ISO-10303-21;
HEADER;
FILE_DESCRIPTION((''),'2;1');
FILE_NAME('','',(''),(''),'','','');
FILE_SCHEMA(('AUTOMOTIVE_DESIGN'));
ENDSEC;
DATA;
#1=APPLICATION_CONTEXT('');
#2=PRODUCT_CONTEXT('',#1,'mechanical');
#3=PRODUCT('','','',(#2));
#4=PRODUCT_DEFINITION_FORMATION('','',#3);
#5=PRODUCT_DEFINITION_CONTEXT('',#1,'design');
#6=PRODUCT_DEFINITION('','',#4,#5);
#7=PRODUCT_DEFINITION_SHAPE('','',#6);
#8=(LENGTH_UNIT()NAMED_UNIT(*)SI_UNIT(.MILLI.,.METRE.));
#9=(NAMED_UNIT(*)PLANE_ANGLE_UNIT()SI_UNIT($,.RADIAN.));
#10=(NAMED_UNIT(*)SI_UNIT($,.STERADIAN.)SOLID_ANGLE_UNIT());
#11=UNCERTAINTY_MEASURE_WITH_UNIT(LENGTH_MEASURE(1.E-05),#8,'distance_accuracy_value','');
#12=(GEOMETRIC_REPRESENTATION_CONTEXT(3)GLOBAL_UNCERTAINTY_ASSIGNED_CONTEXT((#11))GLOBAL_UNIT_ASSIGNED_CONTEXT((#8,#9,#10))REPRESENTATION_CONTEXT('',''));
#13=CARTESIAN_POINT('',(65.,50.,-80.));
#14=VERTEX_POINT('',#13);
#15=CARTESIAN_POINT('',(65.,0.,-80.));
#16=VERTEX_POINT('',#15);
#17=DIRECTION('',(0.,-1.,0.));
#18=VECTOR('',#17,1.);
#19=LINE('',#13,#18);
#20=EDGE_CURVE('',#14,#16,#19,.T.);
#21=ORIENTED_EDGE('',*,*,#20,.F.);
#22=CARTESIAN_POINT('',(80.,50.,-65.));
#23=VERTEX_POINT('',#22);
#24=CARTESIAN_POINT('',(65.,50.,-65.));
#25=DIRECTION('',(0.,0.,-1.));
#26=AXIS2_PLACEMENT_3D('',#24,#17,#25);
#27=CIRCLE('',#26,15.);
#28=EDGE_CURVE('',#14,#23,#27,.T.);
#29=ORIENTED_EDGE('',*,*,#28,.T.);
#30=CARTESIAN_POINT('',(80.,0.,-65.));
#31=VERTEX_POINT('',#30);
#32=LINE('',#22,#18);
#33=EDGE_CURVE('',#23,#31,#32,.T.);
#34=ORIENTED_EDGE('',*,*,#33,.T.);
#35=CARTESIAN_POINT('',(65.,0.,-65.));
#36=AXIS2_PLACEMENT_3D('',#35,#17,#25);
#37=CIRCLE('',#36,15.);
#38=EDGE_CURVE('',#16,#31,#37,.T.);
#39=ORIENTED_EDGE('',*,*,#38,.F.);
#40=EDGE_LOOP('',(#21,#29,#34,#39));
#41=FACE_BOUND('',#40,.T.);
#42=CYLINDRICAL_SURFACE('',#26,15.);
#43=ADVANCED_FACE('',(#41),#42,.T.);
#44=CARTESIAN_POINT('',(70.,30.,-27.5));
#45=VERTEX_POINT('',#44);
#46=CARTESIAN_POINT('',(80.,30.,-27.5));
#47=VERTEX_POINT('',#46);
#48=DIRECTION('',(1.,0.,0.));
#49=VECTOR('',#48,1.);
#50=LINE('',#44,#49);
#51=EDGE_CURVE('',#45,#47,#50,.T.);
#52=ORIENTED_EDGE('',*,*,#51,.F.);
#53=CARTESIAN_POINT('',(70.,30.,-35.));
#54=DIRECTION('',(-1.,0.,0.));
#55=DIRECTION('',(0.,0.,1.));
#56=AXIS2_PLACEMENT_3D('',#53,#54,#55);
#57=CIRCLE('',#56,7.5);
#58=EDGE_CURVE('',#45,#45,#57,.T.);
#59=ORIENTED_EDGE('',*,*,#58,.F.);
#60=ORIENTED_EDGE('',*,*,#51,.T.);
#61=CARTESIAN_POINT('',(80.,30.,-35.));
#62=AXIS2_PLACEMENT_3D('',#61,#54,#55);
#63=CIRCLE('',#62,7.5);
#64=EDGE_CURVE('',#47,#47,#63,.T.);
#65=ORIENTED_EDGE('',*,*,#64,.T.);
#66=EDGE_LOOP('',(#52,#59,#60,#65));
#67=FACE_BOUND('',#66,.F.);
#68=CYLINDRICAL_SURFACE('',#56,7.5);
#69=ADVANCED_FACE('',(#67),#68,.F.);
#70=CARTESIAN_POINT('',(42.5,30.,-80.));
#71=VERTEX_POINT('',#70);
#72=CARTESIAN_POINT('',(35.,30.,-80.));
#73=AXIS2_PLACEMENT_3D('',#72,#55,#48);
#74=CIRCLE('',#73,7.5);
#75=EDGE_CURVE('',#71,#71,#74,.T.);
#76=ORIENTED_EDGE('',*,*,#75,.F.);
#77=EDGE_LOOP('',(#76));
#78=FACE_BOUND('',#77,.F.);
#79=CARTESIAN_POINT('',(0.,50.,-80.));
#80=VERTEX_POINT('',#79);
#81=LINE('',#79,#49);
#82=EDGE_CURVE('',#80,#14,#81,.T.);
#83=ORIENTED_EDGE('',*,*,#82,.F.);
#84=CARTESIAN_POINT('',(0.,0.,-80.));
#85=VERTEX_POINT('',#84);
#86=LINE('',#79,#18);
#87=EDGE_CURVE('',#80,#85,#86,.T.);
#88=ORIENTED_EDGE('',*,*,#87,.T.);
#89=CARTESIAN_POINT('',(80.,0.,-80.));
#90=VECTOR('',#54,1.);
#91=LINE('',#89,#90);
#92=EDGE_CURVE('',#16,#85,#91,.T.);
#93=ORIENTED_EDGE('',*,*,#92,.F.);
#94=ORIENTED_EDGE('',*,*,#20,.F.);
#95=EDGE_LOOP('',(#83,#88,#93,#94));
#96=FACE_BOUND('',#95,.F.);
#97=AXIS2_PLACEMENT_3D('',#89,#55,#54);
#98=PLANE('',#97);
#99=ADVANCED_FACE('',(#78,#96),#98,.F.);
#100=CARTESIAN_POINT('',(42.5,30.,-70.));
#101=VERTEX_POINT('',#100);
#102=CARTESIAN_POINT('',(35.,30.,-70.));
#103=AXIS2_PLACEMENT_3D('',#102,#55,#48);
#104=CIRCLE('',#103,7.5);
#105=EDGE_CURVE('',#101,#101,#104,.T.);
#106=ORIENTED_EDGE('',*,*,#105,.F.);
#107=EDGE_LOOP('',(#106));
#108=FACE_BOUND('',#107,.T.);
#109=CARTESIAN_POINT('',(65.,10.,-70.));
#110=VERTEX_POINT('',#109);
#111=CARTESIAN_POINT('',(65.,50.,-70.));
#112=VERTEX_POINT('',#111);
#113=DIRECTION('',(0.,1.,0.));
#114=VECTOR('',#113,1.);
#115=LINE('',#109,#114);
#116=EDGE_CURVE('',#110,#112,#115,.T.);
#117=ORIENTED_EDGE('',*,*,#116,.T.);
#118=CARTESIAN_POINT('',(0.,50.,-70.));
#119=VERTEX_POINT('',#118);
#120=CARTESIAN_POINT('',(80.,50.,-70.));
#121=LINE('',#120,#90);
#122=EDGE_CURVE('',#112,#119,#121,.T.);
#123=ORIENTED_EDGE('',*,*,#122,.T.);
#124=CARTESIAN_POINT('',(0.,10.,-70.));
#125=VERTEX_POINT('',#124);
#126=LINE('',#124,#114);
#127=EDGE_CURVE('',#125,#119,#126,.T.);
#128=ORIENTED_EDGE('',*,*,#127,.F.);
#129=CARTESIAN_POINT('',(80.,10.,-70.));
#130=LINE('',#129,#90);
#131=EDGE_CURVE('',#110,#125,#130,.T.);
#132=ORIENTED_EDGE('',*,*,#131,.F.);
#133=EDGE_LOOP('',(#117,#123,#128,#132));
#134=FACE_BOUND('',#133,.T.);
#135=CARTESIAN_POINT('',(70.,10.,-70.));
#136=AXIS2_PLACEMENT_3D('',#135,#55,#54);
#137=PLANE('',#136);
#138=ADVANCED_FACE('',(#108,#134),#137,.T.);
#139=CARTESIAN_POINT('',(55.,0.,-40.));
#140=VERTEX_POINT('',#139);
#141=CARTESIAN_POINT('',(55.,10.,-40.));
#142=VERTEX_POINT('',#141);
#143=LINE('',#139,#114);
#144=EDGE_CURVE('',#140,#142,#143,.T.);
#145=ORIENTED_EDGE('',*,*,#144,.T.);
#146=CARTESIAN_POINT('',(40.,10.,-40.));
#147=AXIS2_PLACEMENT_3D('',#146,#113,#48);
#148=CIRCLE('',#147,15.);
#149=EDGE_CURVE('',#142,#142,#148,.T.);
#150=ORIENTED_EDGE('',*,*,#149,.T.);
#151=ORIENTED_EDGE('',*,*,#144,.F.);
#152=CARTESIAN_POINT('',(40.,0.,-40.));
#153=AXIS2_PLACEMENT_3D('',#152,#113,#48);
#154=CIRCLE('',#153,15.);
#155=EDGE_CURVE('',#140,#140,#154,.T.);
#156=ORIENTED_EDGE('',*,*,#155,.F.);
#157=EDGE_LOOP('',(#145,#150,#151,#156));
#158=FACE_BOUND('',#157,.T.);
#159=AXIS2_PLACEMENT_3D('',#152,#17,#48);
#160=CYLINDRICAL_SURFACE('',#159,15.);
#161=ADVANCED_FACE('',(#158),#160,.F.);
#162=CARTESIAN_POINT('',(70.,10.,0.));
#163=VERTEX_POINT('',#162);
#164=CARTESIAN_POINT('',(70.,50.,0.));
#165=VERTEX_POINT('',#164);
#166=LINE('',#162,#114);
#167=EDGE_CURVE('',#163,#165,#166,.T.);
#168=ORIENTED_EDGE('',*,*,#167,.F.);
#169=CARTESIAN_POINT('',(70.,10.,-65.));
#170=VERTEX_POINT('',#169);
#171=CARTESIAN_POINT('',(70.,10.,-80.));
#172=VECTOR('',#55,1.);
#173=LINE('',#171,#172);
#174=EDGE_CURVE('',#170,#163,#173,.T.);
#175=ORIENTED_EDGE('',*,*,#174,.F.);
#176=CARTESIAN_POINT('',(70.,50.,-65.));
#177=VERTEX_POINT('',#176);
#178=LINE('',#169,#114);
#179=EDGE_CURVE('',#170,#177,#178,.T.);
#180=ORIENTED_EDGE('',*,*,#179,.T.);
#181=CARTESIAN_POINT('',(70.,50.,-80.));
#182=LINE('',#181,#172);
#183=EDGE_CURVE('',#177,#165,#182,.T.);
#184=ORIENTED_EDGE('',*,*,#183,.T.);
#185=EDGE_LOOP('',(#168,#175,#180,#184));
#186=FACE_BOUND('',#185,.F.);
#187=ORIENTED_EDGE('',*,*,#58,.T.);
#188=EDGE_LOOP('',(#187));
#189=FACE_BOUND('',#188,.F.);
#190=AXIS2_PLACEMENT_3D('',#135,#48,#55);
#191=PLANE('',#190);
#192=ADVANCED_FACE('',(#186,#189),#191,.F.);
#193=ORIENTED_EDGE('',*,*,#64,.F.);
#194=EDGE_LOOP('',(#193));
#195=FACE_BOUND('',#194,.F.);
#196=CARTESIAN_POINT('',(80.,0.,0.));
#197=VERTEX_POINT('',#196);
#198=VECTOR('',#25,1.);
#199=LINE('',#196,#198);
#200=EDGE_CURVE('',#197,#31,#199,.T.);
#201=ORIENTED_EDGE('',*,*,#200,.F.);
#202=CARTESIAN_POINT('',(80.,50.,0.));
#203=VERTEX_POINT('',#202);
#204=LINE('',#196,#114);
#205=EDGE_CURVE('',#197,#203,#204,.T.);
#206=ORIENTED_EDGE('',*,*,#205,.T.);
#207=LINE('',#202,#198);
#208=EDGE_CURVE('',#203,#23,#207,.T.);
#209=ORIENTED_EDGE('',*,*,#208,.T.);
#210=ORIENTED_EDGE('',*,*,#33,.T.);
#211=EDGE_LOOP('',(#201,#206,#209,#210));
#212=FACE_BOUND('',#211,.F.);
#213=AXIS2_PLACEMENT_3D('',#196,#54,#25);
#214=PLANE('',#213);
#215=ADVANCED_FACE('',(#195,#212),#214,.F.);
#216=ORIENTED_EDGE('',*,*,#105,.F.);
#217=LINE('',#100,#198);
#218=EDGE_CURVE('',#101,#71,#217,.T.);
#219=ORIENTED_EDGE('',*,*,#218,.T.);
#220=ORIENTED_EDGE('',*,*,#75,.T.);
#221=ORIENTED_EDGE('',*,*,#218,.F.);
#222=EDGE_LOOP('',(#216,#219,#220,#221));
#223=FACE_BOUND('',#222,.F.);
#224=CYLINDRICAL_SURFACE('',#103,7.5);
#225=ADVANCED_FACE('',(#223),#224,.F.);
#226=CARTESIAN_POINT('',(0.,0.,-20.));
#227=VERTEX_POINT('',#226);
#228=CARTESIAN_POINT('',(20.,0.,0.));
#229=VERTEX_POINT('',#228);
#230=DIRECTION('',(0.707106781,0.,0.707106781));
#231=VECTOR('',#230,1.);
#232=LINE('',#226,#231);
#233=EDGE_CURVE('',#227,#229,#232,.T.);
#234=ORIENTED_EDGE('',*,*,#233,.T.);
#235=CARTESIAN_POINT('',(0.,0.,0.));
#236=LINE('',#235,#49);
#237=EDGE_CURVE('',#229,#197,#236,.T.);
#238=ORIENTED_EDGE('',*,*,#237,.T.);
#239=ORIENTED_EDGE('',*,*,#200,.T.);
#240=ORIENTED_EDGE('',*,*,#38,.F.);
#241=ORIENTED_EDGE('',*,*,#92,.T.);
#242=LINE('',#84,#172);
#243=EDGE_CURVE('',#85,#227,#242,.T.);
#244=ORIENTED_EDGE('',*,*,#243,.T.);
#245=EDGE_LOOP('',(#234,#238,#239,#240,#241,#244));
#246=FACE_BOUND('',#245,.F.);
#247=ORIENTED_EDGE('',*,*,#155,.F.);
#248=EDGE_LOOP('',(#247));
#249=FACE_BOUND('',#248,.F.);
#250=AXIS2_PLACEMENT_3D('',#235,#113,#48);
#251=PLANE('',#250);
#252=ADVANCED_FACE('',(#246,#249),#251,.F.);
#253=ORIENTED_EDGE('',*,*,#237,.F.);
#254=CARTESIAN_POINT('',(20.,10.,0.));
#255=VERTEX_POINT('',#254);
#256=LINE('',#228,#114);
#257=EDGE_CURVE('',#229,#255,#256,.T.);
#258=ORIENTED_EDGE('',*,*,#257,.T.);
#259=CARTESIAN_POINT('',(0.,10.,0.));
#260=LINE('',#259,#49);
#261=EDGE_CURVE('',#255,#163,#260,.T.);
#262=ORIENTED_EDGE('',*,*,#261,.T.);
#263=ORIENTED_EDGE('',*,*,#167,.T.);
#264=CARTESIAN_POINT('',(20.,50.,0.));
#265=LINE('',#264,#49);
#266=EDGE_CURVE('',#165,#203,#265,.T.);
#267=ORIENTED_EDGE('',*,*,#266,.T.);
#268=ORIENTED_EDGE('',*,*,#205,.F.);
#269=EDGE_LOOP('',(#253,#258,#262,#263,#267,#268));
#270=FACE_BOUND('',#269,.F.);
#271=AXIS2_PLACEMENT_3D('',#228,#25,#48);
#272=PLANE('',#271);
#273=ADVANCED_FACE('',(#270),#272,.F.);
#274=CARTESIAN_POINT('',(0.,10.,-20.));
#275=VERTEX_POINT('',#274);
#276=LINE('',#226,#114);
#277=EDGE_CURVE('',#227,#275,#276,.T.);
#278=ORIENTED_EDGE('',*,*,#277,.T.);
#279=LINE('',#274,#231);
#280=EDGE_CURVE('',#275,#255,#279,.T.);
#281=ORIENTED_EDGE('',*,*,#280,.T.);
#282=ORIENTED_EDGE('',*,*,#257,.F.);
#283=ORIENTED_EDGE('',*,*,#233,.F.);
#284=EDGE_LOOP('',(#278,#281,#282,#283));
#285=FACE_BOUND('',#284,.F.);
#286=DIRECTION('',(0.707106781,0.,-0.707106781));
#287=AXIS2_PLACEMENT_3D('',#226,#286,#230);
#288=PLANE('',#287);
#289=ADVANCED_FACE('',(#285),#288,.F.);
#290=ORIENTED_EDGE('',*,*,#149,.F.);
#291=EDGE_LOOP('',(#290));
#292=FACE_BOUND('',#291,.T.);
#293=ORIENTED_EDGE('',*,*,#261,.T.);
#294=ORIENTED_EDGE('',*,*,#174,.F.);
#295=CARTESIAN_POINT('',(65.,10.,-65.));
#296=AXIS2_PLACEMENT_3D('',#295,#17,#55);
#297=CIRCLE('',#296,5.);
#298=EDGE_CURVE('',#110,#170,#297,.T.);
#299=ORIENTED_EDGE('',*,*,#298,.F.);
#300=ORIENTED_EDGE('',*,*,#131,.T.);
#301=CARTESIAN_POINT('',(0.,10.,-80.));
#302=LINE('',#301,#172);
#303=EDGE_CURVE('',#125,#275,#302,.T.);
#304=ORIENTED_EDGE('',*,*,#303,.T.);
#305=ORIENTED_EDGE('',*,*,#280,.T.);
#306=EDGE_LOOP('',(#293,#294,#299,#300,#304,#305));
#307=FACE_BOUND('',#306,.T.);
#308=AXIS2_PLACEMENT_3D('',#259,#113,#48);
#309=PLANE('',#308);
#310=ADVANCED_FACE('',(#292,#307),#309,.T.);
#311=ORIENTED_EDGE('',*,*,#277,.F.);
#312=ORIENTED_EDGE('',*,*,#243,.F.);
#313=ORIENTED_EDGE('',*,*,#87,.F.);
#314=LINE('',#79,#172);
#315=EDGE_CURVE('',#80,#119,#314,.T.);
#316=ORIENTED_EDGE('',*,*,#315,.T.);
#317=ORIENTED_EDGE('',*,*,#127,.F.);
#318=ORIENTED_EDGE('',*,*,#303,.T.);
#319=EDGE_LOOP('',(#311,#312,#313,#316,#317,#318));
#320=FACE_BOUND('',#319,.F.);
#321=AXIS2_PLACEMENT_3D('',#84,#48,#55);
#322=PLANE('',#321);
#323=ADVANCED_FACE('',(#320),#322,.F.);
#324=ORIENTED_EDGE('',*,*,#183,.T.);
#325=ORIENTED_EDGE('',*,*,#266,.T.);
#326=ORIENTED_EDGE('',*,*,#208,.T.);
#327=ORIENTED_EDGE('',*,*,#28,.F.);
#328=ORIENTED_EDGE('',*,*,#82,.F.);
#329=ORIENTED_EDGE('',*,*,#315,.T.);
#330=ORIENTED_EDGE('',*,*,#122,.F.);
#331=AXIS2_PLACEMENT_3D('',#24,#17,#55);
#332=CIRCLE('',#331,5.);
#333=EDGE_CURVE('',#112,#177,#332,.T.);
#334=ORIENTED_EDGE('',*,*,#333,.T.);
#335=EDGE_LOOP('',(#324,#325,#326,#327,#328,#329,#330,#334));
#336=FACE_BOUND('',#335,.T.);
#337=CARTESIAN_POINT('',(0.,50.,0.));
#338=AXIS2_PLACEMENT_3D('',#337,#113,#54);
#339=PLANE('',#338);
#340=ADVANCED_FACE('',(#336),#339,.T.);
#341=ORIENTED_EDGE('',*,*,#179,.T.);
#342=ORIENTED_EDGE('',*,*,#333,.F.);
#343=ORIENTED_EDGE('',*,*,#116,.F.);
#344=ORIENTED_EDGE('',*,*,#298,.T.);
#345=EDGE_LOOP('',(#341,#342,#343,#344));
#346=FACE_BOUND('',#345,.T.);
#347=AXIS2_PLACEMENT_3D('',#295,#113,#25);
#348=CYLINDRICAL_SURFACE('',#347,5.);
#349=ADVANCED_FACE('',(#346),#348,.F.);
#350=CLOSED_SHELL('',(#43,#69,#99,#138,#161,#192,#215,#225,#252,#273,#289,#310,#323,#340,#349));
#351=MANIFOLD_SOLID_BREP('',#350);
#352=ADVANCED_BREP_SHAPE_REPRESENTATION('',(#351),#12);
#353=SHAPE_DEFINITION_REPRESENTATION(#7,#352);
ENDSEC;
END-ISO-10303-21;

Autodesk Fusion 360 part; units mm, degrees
sketch "Sketch1" plane through (0, 0, 0) normal (0, 1, 0) x (1, 0, 0)
  line L0 (0, 0) -> (80, 0)
  line L1 (80, 0) -> (80, 80)
  line L2 (80, 80) -> (0, 80)
  line L3 (0, 80) -> (0, 0)
  circle A0 centre (40, 40) radius 15
  line L4 (0, 20) -> (20, 0)
  dimension "d1" = 80
  dimension "d2" = 80
  dimension "d3" = 30
  dimension "d4" = 40
  dimension "d5" = 40
  dimension "d6" = 20
  dimension "d7" = 20
extrude "Extrude1" add sketch "Sketch1" along normal blind 10 contours L0 L1 L2 L3 L4
sketch "Sketch2" plane through (0, 10, 0) normal (0, 1, 0) x (-1, 0, 0)
  circle A0 centre (-40, -40) radius 15
  line L0 (0, -20) -> (-20, 0)
  line L1 (-20, 0) -> (-80, 0)
  line L2 (-80, 0) -> (-80, -80)
  line L3 (-80, -80) -> (0, -80)
  line L4 (0, -80) -> (0, -20)
  line L5 (0, -80) -> (-80, -80)
  line L6 (-80, -80) -> (-80, -70)
  line L7 (-80, -70) -> (0, -70)
  line L8 (0, -70) -> (0, -80)
  line L9 (-80, -80) -> (-70, -80)
  line L10 (-70, -80) -> (-70, 0)
  line L11 (-70, 0) -> (-80, 0)
  line L12 (-80, 0) -> (-80, -80)
  dimension "d10" = 10
  dimension "d11" = 10
extrude "Extrude2" add sketch "Sketch2" along normal blind 40 contours L3 L4 L5 L7 L8 L10 | L1 L2 L7 L10 L11 L12 | L2 L3 L5 L6 L7 L9 L10 L12
fillet "Fillet1" radius 5 1 edges at (70, 30, -70)
fillet "Fillet2" radius 15 1 edges at (80, 25, -80)
sketch "Sketch3" plane through (70, 0, 0) normal (-1, 0, 0) x (0, 0, 1)
  line L0 (-65, 50) -> (-65, 10)
  line L1 (-65, 10) -> (0, 10)
  line L2 (0, 10) -> (0, 50)
  line L3 (0, 50) -> (-65, 50)
  circle A0 centre (-35, 30) radius 7.5
  dimension "d18" = 15
  dimension "d19" = 35
  dimension "d20" = 20
extrude "Extrude3" cut sketch "Sketch3" against normal blind 10 contours A0
sketch "Sketch4" plane through (0, 0, -70) normal (0, 0, 1) x (1, 0, 0)
  line L0 (65, 10) -> (65, 50)
  line L1 (65, 50) -> (0, 50)
  line L2 (0, 50) -> (0, 10)
  line L3 (0, 10) -> (65, 10)
  circle A0 centre (35, 30) radius 7.5
  dimension "d23" = 15
  dimension "d24" = 35
  dimension "d25" = 20
extrude "Extrude4" cut sketch "Sketch4" against normal blind 10 contours A0
